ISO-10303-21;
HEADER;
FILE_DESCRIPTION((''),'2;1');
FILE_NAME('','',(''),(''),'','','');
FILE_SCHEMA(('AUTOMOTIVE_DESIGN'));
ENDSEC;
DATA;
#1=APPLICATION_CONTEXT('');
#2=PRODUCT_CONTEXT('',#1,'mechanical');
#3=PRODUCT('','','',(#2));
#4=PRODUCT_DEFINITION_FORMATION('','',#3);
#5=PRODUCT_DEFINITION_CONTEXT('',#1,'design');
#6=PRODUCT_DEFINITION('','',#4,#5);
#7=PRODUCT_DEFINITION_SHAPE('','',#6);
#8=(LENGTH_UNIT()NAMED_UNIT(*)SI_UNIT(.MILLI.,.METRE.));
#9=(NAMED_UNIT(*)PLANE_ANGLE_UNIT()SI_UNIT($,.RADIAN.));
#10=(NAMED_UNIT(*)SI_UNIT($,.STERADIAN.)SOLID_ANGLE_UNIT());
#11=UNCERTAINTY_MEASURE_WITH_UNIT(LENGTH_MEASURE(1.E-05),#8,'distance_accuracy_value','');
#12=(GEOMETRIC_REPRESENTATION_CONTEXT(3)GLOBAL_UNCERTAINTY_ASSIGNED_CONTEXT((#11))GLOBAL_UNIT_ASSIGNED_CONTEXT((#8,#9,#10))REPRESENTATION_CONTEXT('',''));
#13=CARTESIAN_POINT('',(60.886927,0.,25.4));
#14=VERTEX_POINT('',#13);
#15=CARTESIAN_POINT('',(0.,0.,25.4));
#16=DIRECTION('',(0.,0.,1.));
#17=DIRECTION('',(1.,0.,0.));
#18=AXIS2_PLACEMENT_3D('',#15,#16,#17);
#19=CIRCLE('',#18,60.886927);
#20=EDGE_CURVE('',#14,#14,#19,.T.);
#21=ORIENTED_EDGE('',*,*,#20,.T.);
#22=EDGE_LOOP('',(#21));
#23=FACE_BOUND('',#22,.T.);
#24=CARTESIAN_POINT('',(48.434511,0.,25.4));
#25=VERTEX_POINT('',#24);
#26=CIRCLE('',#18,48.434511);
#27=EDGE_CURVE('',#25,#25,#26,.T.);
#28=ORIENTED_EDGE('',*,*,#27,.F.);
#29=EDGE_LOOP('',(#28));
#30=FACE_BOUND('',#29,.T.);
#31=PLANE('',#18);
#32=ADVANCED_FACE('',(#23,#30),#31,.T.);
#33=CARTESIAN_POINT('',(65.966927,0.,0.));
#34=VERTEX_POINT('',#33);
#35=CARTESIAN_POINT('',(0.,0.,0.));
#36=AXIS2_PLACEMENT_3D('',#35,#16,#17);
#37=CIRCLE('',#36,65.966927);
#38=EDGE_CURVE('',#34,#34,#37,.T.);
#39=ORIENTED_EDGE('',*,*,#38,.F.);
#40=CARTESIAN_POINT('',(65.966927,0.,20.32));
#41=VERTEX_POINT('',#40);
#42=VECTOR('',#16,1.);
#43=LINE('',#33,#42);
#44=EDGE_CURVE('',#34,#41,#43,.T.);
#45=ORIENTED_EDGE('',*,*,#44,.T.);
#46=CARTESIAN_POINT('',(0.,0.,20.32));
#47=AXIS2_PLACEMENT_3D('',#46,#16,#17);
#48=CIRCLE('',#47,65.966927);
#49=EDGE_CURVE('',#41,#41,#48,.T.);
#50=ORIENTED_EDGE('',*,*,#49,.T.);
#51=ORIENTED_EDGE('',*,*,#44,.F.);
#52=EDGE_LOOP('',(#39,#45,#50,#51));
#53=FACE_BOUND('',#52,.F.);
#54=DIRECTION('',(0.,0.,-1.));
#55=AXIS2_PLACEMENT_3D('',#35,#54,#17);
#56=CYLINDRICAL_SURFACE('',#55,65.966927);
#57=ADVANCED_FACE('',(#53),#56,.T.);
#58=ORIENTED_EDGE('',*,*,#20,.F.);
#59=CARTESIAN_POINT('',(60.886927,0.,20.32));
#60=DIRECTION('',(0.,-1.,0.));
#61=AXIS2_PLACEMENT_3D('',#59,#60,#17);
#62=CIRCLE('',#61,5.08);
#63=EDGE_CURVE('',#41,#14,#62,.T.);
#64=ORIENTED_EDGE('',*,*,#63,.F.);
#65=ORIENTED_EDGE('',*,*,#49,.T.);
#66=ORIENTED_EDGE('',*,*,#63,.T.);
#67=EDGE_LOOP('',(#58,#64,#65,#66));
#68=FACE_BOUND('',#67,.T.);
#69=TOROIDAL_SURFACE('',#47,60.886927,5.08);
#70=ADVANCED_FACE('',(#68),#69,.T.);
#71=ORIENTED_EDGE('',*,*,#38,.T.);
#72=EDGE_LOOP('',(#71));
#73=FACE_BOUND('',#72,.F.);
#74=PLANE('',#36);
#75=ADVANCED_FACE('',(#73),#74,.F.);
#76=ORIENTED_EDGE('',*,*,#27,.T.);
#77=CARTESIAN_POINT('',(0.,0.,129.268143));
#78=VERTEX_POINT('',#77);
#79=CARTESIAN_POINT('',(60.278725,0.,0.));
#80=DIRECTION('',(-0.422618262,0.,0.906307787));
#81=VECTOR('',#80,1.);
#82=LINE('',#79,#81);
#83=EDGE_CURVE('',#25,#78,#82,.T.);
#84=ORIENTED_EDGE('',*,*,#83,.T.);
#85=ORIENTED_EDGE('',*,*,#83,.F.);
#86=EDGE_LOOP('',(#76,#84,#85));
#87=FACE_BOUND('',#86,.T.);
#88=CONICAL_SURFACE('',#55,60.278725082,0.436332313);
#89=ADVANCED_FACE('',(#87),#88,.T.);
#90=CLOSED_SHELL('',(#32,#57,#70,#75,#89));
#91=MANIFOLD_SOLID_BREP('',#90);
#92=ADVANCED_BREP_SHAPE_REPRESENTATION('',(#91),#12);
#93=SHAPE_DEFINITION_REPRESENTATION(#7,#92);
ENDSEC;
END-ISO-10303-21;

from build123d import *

# Parameters (mm, degrees)
F0_R      = 65.9669270207
F1_DEPTH  = 25.4
F2_R      = 57.1573615092
F3_DEPTH  = 17.78
F4_R      = 65.9669270207
F4_R_2    = 55.5551469753
F6_DEPTH  = 65.8464431763
F7_R      = 5.08
F10_R     = 60.2787250823
F11_DEPTH = 203.2
F11_TAPER = 25


with BuildPart() as f1:
    # F0 (on Top) → F1 (new body)
    with BuildSketch(Plane.XY):
        Circle(F0_R)
    extrude(amount=F1_DEPTH)

    # F2 (on Top) → F3 (cut)
    with BuildSketch(Plane.XY):
        Circle(F2_R)
    extrude(amount=-F3_DEPTH, mode=Mode.SUBTRACT)

    # F4 (on face) → F6 (cut)
    with BuildSketch(Plane.XY.offset(25.4)):
        Circle(F4_R)
        Circle(F4_R_2, mode=Mode.SUBTRACT)
        Circle(F4_R_2)
    extrude(amount=F6_DEPTH, mode=Mode.SUBTRACT)

    # F7
    f7_edges = [f1.edges().sort_by_distance(p)[0] for p in [
        (-65.966927, 0, 25.4),
    ]]
    fillet(f7_edges, radius=F7_R)

    # F10 (on face) → F11 (join)
    with BuildSketch(Plane.XY):
        Circle(F10_R)
    extrude(amount=F11_DEPTH, taper=F11_TAPER)


solid = f1.part
